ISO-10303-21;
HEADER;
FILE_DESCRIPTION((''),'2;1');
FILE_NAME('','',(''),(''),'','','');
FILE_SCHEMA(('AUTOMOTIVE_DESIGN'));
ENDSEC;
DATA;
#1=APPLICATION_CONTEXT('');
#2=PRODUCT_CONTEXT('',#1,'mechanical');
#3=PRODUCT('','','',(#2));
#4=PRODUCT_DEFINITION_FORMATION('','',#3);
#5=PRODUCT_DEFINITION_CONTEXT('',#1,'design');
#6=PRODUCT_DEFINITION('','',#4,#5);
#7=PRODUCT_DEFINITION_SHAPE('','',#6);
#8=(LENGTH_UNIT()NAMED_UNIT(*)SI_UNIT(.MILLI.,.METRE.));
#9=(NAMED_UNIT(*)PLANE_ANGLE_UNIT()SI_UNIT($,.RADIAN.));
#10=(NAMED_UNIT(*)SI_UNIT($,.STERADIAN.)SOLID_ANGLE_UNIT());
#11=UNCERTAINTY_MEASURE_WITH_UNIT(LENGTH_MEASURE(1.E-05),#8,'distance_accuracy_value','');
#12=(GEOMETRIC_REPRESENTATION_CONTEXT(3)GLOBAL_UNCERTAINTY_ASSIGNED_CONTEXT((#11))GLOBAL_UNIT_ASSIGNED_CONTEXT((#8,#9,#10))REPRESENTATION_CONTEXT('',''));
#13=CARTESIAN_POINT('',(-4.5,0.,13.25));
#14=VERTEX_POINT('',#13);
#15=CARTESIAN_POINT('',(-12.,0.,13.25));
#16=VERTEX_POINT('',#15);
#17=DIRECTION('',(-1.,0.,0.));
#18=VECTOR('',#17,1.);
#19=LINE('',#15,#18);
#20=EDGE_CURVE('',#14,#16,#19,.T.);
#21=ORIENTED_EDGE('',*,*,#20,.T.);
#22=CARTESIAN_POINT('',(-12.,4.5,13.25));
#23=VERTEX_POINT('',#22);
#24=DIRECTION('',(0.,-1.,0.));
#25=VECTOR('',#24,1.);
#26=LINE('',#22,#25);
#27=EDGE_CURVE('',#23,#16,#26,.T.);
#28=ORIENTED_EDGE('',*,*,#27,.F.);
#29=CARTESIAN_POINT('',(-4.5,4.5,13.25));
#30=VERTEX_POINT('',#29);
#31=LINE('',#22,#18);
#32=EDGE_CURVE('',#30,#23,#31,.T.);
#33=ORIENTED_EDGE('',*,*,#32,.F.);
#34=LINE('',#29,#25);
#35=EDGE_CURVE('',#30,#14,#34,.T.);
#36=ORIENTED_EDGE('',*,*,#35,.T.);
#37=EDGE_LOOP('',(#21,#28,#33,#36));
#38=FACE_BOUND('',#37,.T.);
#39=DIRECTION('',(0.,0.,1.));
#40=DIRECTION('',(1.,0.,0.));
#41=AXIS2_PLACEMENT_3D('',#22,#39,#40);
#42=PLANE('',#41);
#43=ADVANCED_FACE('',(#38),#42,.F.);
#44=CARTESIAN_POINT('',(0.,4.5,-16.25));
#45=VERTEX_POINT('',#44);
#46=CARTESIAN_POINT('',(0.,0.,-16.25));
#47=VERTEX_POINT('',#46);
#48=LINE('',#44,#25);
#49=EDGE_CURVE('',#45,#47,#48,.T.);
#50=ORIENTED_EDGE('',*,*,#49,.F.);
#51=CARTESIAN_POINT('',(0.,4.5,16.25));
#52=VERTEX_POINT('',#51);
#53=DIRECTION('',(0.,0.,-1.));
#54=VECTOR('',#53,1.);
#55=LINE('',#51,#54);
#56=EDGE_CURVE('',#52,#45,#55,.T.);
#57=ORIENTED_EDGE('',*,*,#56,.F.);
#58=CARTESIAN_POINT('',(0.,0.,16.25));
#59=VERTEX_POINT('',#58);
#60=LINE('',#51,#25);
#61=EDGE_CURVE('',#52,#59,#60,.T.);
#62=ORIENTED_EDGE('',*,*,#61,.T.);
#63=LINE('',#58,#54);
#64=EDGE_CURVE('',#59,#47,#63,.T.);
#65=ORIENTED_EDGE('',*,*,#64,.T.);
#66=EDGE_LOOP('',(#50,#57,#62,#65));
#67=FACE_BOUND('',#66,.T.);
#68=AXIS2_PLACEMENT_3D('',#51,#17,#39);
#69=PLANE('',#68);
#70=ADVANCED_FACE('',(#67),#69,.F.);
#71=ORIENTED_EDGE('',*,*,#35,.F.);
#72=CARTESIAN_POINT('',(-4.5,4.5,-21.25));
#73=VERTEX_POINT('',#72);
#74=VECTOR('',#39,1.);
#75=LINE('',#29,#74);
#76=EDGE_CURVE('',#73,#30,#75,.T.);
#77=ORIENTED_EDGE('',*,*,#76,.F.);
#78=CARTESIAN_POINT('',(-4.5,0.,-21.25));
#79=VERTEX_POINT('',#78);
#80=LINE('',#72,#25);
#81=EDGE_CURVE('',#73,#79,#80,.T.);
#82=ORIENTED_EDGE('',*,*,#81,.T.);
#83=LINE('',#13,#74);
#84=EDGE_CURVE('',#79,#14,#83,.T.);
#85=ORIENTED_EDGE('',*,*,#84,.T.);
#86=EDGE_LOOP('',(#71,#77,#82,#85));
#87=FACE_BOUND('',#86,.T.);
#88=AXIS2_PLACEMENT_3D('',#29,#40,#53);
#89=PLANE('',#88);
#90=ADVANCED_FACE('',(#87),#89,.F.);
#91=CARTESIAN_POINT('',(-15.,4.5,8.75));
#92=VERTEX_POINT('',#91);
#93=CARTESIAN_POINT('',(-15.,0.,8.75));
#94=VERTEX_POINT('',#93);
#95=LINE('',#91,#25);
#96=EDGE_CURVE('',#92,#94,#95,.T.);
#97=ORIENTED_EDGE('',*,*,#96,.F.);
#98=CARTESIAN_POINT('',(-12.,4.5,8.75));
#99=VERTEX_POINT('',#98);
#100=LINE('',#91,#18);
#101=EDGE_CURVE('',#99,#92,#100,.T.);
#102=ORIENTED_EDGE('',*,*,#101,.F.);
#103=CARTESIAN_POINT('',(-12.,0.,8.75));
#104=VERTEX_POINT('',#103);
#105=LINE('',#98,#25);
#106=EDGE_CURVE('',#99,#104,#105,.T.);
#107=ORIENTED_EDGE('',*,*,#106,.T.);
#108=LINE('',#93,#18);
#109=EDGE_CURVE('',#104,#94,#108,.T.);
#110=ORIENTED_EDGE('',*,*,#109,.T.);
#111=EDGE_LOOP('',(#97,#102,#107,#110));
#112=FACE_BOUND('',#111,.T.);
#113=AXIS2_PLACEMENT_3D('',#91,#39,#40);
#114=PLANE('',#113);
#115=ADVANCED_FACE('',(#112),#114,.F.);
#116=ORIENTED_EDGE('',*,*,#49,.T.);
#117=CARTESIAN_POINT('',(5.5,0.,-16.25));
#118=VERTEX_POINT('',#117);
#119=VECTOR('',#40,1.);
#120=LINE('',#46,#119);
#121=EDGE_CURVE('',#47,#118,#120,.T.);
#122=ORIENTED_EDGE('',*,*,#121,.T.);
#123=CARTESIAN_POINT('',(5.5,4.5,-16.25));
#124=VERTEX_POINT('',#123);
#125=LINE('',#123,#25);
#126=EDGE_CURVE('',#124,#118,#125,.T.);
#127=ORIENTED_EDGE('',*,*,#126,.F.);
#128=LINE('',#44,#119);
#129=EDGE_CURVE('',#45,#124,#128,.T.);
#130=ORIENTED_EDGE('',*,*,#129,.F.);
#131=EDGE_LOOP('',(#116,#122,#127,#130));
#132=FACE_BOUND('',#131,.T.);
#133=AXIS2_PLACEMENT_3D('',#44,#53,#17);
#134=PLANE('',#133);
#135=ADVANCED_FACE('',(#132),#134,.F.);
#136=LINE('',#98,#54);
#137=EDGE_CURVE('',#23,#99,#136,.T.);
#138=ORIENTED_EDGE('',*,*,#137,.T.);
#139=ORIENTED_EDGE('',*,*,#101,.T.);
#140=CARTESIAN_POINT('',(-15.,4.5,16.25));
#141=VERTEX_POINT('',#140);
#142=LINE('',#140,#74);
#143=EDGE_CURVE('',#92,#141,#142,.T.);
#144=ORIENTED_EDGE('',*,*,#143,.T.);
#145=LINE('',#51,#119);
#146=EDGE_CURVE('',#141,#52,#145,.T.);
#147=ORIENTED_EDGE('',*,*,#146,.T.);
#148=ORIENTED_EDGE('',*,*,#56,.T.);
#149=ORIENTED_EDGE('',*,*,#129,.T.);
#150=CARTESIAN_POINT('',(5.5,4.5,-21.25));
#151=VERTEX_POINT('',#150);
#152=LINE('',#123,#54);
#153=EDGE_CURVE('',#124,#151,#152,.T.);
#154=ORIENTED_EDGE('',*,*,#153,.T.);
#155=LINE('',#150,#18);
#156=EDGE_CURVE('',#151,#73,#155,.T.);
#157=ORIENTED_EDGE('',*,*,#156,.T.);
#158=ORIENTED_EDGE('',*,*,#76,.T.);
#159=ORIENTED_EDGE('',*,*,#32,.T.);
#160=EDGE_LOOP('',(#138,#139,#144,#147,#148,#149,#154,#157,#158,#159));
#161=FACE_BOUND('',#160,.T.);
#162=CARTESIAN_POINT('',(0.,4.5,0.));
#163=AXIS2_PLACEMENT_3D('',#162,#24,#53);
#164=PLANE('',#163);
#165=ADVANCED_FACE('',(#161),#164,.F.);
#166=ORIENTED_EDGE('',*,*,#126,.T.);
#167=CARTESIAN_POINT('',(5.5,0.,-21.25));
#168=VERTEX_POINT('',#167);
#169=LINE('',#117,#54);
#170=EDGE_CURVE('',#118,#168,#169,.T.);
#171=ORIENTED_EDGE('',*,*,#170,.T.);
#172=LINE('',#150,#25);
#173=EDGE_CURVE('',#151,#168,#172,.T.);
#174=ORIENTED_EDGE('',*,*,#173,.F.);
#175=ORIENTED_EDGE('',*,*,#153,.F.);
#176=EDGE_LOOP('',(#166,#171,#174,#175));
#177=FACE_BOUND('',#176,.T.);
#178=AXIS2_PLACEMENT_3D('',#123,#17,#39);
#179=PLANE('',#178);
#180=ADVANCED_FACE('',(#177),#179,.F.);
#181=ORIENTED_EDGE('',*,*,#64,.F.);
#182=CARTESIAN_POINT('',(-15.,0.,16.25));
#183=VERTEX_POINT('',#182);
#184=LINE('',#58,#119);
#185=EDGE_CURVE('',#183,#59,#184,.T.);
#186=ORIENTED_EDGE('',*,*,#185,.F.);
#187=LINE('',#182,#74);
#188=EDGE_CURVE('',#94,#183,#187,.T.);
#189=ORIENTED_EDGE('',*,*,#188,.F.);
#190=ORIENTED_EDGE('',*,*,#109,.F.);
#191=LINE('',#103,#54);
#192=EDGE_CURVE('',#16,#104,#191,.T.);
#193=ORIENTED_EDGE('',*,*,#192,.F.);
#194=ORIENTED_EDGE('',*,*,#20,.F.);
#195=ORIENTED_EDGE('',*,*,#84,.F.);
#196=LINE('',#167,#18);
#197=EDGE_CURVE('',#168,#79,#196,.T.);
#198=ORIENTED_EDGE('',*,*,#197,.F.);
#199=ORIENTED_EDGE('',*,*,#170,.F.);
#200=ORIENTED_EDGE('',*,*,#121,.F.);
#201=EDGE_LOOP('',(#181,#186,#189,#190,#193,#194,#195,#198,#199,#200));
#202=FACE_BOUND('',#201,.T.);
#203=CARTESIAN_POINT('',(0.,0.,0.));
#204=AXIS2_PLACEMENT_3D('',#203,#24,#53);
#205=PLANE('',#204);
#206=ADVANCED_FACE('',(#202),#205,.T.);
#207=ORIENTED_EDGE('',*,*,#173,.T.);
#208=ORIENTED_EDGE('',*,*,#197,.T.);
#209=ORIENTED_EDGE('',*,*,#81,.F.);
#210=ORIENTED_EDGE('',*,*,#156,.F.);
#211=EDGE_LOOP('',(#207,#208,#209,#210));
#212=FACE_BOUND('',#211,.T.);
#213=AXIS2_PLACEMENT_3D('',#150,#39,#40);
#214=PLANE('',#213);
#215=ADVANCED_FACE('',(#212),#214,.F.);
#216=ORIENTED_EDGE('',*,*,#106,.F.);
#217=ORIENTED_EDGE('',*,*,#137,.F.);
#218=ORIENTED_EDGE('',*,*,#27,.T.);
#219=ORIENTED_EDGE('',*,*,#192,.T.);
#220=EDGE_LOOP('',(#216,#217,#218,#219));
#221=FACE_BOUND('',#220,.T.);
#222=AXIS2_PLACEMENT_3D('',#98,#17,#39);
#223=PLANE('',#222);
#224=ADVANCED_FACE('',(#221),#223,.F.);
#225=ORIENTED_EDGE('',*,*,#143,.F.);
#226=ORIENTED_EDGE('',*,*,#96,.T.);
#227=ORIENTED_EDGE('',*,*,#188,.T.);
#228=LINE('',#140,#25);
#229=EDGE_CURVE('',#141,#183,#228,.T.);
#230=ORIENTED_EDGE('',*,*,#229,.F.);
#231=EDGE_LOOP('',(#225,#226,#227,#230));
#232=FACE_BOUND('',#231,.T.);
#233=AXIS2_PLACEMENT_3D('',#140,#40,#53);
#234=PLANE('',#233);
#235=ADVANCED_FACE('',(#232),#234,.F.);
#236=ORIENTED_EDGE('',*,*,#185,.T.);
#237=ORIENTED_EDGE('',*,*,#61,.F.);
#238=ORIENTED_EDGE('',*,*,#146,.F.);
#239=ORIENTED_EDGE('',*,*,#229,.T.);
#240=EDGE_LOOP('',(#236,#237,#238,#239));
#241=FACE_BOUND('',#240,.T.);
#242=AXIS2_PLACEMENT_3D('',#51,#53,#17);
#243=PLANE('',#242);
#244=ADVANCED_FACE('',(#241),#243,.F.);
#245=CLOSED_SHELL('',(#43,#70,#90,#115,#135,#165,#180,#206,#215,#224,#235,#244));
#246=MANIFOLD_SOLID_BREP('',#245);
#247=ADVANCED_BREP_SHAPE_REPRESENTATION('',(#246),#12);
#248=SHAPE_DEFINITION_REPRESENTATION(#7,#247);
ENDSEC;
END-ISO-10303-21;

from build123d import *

# Parameters (mm, degrees)
BOSS_EXTRUDE1_DEPTH = 4.5


with BuildPart() as part:
    # Sketch2 → Boss-Extrude1 (new body)
    with BuildSketch(Plane(origin=(0, 0, 0), x_dir=(1, 0, 0), z_dir=(0, 1, 0))):
        Polygon((0, -16.25), (-15, -16.25), (-15, -8.75), (-12, -8.75), (-12, -13.25), (-4.5, -13.25), (-4.5, 21.25), (5.5, 21.25), (5.5, 16.25), (0, 16.25), align=None)
    extrude(amount=BOSS_EXTRUDE1_DEPTH)


solid = part.part
